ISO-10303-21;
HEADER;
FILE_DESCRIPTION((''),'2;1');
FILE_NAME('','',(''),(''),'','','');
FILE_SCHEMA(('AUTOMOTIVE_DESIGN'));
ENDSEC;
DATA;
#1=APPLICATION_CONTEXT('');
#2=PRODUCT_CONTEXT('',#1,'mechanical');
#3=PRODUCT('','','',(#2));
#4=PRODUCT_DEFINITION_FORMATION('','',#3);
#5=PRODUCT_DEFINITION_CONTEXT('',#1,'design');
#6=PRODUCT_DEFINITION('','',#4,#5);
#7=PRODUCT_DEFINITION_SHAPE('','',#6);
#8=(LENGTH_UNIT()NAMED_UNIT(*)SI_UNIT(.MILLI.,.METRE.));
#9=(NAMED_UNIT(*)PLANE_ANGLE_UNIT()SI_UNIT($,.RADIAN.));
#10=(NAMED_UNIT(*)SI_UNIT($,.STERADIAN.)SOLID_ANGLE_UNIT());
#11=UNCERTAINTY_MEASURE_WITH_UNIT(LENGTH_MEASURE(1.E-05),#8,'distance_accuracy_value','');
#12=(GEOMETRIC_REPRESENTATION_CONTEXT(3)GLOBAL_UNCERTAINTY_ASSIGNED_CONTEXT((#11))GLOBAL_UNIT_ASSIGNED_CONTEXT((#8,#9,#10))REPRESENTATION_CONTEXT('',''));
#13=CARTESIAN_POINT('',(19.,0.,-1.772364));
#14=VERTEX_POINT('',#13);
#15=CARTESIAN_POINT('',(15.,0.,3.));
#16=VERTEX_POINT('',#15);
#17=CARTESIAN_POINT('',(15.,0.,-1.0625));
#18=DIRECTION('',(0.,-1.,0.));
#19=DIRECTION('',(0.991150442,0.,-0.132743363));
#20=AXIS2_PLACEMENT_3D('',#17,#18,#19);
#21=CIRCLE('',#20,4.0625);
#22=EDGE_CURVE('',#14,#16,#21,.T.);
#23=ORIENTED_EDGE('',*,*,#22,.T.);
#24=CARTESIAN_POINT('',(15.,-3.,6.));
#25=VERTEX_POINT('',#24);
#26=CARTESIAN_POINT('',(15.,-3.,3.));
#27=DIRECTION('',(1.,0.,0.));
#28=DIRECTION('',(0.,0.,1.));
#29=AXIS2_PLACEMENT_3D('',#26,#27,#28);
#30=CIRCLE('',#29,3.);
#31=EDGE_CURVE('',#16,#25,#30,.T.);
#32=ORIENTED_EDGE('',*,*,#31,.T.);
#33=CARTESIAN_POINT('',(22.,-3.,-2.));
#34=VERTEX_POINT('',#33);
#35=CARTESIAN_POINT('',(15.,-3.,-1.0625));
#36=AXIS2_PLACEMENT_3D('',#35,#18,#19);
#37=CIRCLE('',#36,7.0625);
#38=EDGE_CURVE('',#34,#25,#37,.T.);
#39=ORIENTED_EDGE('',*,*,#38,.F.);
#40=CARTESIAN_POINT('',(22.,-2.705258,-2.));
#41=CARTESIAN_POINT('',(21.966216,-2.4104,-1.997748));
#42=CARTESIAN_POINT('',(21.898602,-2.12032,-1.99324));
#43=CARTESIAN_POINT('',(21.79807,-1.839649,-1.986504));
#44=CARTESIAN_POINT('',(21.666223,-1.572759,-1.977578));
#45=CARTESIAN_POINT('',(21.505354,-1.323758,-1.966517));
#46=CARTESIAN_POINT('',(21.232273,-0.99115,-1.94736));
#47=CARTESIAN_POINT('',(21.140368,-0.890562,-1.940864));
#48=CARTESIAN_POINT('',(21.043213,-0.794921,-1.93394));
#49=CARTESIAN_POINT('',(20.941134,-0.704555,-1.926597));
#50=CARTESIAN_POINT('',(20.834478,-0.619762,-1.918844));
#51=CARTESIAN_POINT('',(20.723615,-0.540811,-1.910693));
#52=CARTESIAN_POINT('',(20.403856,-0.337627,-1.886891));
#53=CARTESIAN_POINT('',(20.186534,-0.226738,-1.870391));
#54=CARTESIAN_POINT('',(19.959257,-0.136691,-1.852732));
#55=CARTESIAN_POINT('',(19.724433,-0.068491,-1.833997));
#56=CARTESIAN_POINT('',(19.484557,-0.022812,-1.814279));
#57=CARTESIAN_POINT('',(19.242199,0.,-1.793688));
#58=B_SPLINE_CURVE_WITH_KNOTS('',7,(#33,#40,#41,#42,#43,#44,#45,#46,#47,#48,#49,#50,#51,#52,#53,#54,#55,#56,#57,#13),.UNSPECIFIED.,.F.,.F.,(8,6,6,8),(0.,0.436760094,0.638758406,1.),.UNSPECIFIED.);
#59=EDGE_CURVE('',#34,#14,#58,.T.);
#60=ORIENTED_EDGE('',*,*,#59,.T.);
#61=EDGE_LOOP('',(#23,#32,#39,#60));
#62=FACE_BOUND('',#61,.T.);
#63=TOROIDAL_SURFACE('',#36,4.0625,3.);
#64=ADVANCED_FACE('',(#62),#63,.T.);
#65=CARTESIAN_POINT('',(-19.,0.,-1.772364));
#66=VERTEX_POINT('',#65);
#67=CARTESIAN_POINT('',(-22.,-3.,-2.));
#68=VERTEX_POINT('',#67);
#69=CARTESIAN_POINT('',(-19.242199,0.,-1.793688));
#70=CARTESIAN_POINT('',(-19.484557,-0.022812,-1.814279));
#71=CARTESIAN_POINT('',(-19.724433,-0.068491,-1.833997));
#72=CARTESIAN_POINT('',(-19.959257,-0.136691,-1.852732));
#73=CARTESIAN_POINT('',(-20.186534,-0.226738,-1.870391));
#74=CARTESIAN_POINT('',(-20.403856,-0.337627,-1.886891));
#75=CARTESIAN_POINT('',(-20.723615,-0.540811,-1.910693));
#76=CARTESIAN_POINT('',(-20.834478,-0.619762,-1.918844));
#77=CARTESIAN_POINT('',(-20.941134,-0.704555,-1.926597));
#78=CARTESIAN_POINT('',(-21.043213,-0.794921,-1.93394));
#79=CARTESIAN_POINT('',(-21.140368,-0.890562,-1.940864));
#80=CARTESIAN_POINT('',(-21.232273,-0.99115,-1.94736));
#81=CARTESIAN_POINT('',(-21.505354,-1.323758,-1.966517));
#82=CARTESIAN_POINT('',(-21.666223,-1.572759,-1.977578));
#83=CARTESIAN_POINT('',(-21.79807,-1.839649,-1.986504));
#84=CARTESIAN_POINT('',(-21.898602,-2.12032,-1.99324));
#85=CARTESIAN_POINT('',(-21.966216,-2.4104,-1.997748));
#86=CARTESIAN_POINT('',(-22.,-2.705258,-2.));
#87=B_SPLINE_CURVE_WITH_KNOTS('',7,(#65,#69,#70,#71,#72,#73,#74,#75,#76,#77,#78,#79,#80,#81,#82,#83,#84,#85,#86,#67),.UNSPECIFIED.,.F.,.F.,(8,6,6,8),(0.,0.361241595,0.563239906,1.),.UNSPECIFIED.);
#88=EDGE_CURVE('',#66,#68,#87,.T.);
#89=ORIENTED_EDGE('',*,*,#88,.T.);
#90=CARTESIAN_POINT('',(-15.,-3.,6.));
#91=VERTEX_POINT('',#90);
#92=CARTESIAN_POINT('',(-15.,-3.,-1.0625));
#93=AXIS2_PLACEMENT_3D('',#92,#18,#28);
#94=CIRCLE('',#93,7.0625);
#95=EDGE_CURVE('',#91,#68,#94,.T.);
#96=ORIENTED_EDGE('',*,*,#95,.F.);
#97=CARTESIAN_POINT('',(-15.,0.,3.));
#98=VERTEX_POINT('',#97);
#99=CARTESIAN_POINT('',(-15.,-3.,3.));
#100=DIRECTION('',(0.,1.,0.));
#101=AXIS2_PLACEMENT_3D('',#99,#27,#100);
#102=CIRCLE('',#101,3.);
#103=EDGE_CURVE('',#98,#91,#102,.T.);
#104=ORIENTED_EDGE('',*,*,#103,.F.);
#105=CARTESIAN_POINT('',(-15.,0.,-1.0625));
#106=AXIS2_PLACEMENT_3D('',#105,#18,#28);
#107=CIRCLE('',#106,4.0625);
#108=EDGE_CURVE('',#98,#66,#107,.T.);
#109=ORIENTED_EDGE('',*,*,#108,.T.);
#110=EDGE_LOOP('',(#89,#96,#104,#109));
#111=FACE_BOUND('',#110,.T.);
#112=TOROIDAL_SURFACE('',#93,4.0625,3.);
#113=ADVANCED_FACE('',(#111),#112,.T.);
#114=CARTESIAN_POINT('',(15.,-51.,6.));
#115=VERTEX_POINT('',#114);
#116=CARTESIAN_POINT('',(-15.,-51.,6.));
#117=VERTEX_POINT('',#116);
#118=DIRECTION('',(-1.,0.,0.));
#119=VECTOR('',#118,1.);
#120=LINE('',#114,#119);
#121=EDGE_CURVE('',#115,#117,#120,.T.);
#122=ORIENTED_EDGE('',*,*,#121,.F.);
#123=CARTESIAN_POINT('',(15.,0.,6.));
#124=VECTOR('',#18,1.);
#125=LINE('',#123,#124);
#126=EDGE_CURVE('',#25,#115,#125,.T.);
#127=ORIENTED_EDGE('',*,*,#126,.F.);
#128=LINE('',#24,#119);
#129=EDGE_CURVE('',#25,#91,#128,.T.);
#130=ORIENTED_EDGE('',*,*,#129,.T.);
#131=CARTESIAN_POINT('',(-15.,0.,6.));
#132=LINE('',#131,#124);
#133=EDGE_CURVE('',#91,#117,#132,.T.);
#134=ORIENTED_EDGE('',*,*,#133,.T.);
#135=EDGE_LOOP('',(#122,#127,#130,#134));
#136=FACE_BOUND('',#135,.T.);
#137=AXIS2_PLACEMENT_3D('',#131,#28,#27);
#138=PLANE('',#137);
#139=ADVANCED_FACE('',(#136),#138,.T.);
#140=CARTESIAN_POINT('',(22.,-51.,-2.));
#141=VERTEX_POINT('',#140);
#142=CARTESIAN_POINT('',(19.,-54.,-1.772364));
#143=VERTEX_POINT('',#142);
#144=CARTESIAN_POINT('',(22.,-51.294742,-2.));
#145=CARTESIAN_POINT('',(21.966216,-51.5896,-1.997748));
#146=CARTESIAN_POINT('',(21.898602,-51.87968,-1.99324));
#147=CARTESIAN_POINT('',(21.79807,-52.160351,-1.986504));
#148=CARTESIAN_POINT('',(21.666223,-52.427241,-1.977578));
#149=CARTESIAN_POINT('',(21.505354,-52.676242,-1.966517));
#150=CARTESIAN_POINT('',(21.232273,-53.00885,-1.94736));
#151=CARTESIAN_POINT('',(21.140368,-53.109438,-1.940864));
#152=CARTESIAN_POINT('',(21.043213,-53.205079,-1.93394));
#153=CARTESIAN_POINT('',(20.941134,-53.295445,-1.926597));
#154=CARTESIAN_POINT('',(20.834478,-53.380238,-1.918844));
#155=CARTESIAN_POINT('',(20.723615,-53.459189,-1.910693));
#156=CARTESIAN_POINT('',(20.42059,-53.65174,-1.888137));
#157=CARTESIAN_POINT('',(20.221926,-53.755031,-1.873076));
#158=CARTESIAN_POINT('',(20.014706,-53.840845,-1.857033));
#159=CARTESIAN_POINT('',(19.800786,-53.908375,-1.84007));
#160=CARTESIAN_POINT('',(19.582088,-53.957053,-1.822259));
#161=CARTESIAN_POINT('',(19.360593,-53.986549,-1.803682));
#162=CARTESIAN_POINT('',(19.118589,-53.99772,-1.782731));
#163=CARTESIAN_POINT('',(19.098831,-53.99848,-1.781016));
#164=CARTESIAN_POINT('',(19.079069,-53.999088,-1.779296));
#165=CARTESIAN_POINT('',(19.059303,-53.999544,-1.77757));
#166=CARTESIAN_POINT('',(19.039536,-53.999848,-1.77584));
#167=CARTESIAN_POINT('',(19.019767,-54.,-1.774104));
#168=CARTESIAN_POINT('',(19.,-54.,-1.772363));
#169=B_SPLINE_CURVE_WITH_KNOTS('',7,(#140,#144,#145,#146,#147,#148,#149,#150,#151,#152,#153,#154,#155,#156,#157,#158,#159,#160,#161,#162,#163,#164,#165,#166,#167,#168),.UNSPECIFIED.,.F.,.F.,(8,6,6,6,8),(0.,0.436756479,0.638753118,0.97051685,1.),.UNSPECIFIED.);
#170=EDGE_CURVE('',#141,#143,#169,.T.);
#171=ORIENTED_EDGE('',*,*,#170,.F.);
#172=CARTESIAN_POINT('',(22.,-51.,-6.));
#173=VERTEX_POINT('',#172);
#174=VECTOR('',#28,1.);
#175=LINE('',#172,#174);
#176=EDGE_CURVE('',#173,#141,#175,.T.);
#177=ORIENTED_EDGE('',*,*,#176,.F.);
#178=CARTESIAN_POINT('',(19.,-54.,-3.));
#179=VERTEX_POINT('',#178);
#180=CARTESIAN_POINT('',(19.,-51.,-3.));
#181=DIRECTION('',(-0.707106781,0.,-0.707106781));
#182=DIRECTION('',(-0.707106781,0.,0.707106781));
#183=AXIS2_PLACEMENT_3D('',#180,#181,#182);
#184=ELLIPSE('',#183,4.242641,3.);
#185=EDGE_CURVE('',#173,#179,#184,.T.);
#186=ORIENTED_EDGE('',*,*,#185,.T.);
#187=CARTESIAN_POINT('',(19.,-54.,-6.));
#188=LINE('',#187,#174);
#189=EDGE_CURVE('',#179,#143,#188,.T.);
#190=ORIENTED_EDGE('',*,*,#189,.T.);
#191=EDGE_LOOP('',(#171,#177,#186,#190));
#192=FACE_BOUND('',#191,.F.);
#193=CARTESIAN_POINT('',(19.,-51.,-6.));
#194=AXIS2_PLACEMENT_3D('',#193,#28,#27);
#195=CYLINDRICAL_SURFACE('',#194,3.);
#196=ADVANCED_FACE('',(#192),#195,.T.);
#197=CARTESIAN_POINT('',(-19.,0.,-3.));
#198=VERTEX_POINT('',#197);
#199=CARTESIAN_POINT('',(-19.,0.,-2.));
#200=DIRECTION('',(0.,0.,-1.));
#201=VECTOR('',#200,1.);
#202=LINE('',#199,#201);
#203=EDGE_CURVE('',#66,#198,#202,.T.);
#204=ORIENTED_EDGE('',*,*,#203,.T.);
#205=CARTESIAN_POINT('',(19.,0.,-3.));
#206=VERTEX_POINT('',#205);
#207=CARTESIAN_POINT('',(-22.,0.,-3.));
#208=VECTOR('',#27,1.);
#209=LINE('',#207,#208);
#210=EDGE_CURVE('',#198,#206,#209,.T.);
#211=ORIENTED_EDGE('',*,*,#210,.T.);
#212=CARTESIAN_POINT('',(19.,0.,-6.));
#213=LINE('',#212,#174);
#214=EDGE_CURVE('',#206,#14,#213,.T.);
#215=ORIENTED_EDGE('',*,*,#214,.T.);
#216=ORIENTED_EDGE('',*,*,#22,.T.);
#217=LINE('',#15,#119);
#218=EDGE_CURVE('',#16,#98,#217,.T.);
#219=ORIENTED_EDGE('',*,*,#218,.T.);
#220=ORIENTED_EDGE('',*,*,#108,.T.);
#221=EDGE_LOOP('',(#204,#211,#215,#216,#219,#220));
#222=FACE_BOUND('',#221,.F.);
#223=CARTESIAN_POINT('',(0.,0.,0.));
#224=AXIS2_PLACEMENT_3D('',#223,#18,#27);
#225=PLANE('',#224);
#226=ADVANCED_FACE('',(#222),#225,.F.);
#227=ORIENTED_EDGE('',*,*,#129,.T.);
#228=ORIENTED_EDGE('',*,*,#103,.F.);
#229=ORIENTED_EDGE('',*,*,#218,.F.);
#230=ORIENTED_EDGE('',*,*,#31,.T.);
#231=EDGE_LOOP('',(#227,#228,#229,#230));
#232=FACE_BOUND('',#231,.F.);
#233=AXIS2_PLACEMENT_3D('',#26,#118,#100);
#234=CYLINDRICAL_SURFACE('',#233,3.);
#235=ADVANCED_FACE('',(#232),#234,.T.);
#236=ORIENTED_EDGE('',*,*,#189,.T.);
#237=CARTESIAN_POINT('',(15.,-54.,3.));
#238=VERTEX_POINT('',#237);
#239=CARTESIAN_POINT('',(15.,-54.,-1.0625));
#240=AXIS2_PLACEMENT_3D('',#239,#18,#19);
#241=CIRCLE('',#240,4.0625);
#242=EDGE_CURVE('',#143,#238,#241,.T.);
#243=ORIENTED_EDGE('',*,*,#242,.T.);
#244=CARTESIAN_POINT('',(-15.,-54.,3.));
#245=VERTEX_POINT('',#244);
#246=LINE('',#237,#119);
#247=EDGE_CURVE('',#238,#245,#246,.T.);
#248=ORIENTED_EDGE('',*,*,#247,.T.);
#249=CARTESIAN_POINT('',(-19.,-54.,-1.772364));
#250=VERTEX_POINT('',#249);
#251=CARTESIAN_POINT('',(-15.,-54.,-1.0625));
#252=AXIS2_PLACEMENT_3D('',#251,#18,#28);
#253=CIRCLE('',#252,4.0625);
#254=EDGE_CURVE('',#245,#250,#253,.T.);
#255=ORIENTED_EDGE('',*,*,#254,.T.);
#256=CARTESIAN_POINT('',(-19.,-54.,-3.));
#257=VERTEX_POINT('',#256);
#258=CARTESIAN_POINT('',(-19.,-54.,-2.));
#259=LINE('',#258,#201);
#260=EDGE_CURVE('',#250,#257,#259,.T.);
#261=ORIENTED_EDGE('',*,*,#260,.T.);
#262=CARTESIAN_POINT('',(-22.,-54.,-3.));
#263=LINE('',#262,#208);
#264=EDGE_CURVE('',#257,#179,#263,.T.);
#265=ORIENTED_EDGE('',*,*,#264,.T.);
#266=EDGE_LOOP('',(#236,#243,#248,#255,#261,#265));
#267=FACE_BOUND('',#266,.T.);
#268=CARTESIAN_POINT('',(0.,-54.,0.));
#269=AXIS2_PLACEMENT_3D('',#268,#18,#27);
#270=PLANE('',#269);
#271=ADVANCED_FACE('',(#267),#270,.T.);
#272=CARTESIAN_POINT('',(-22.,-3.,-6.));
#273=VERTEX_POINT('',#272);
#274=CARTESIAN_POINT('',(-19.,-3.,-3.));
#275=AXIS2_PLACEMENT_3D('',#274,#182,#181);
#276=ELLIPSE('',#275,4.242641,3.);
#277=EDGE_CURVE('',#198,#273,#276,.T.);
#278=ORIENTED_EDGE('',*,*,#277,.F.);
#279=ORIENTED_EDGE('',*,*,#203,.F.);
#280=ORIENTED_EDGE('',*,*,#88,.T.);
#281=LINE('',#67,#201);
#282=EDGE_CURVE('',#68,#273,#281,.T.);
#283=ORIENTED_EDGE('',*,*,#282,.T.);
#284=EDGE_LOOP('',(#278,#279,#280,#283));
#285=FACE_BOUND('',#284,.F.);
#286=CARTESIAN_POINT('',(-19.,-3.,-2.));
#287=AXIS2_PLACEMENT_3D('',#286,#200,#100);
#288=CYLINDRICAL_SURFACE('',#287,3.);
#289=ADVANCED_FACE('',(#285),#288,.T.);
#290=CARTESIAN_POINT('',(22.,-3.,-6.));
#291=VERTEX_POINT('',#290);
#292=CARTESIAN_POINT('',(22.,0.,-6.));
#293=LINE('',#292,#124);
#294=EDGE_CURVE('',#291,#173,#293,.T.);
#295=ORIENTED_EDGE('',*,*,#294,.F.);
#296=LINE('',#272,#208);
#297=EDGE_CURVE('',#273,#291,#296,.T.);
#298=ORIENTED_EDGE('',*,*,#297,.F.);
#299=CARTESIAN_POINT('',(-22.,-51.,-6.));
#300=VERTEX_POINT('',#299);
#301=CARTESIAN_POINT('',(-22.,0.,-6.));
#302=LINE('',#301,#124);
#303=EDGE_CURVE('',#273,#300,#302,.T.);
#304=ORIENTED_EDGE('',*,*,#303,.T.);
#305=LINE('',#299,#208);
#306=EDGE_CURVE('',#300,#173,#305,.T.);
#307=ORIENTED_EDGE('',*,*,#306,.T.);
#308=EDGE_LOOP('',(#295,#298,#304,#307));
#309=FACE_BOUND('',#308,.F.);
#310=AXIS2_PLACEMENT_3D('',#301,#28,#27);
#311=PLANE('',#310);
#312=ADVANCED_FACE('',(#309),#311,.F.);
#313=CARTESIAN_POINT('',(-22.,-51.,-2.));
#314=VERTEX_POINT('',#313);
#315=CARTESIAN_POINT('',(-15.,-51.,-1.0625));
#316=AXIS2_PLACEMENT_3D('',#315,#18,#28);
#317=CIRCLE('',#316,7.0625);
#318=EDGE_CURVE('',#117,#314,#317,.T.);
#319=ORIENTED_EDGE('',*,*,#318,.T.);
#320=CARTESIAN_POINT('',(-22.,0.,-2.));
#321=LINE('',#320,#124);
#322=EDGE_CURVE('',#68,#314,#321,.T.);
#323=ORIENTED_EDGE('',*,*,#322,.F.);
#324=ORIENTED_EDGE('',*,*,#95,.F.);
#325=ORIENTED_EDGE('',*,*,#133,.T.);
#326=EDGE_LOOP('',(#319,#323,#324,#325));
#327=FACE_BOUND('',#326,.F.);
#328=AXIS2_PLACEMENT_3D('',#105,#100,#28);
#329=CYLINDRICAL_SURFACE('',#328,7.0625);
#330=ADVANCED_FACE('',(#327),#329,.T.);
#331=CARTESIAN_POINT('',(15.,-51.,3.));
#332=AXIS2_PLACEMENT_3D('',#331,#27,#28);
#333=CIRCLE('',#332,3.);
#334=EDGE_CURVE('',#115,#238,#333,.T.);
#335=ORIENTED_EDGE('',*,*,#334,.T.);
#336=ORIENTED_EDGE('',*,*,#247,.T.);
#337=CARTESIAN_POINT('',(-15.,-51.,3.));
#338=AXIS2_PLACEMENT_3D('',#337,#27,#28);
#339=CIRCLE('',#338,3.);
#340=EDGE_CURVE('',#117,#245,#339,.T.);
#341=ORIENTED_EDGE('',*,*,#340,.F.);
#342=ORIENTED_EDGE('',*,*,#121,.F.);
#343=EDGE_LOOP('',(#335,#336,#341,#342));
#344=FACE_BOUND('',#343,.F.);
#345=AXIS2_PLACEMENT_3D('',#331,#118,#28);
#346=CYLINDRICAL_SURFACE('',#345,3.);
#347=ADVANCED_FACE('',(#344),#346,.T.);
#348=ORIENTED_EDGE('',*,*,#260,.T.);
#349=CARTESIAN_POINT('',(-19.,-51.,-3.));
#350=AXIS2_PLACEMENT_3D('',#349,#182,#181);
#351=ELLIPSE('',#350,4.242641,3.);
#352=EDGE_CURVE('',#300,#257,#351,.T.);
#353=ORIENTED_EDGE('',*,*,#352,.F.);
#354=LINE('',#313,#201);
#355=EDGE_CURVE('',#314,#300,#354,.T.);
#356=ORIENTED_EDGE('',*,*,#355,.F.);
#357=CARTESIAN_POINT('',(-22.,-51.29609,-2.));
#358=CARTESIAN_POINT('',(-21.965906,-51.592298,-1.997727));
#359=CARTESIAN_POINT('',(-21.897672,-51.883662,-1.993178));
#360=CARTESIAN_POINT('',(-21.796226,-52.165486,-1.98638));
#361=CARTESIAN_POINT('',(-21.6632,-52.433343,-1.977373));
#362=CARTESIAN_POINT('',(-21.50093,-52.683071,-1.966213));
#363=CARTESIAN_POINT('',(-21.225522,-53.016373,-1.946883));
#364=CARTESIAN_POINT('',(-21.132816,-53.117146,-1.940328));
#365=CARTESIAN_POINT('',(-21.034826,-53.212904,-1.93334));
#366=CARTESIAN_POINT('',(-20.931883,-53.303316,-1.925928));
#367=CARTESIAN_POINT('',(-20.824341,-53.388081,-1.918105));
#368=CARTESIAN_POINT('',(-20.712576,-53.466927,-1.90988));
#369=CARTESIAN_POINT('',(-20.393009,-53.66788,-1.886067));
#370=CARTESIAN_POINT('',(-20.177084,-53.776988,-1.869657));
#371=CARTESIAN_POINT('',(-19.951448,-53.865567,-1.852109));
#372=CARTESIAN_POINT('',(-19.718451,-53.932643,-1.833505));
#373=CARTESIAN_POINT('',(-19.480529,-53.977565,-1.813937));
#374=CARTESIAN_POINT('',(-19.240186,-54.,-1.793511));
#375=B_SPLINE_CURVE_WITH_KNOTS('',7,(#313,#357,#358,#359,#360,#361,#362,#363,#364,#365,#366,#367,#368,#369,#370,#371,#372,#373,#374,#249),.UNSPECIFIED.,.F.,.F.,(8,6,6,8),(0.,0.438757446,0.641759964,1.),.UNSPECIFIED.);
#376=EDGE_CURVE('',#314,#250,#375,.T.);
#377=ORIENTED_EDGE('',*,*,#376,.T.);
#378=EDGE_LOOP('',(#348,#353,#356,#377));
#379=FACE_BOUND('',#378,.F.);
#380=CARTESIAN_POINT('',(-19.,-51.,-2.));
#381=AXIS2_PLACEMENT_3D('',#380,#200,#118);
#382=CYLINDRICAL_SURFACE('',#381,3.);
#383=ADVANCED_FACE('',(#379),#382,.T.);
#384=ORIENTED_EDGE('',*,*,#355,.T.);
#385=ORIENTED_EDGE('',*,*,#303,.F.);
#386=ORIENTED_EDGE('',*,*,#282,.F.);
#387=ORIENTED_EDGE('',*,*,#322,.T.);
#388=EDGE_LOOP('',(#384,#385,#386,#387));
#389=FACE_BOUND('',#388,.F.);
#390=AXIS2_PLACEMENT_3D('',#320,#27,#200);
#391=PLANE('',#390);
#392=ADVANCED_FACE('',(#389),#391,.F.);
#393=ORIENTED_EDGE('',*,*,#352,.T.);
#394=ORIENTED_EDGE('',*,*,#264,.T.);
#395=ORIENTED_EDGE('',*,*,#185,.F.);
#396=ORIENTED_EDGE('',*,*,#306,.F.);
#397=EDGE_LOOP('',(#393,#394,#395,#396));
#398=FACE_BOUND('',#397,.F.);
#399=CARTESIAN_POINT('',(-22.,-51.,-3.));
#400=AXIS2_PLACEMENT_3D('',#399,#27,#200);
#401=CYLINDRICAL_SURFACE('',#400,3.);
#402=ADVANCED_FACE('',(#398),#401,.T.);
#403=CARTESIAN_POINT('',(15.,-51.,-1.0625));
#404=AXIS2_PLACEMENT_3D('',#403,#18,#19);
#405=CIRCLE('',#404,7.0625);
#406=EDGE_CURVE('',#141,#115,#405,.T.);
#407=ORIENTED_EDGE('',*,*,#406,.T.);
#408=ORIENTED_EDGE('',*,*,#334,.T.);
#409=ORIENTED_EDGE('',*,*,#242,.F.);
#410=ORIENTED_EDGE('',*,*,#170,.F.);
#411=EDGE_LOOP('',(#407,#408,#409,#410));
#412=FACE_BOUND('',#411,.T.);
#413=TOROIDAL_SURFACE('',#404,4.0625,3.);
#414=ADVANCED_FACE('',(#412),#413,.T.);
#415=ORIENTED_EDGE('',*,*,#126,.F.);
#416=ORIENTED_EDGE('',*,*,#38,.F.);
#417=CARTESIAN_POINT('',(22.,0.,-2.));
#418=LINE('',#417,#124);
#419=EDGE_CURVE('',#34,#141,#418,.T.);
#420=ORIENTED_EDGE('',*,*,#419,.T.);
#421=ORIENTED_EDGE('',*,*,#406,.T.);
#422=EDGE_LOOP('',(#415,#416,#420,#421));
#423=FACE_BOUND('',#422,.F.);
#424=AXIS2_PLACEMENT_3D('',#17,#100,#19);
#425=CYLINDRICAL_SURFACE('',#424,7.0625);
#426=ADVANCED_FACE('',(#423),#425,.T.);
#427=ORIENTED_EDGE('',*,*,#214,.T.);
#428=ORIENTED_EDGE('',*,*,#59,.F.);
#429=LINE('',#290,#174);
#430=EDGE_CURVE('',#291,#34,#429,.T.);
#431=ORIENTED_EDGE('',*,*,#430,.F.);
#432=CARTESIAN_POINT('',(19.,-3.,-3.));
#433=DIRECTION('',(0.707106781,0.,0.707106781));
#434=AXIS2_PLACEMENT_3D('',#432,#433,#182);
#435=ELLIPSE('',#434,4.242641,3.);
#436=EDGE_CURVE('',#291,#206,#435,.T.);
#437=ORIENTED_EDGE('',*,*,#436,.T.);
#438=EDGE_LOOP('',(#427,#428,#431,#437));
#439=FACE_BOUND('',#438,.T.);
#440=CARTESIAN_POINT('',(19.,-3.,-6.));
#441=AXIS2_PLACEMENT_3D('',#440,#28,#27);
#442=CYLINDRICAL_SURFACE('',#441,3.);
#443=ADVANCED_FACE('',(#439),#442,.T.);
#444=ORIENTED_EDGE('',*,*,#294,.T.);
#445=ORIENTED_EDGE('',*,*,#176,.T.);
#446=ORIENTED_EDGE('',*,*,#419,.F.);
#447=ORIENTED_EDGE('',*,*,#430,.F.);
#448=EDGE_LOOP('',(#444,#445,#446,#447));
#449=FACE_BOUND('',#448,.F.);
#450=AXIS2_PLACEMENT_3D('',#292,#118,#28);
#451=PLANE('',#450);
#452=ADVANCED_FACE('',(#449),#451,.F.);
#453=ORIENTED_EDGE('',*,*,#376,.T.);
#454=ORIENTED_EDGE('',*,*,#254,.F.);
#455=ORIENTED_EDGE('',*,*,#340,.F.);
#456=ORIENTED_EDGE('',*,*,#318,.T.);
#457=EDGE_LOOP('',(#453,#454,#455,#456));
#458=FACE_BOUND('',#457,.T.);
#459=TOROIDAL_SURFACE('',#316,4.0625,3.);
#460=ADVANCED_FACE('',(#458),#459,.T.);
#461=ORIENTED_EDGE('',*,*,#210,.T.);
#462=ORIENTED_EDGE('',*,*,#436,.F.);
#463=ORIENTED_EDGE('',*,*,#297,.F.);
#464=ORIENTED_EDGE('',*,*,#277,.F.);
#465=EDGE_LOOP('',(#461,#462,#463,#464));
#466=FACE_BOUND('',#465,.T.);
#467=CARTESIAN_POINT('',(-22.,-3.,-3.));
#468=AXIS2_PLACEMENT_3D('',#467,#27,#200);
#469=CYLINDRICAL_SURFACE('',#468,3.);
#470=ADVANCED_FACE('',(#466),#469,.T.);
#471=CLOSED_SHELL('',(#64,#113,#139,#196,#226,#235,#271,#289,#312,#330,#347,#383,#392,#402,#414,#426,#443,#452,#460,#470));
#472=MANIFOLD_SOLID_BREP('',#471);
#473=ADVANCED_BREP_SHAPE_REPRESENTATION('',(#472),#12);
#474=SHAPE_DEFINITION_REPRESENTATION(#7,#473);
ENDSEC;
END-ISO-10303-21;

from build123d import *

# Parameters (mm, degrees)
F0_W     = 30
F0_H     = 12
F1_DEPTH = 54
F2_R     = 3
F3_R     = 3


with BuildPart() as f1:
    # F0 (on Front) → F1 (new body)
    with BuildSketch(Plane.XZ):
        Rectangle(F0_W, F0_H)
        with BuildLine():
            Line((15, 6), (15, -6))
            Line((15, -6), (22, -6))
            Line((22, -6), (22, -2))
            ThreePointArc((22, -2), (20.3150729064, 3.5881887931), (15, 6))
        make_face()
        with BuildLine():
            Line((-22, -6), (-15, -6))
            Line((-15, -6), (-15, 6))
            ThreePointArc((-15, 6), (-20.3150729064, 3.5881887931), (-22, -2))
            Line((-22, -2), (-22, -6))
        make_face()
    extrude(amount=F1_DEPTH)

    # F2
    f2_edges = [f1.edges().sort_by_distance(p)[0] for p in [
        (22, -54, -4),
        (20.315073, -54, 3.588189),
        (0, -54, 6),
        (-20.315073, -54, 3.588189),
        (-22, -54, -4),
        (0, -54, -6),
    ]]
    fillet(f2_edges, radius=F2_R)

    # F3
    f3_edges = [f1.edges().sort_by_distance(p)[0] for p in [
        (22, 0, -4),
        (20.315073, 0, 3.588189),
        (0, 0, 6),
        (-20.315073, 0, 3.588189),
        (-22, 0, -4),
        (0, 0, -6),
    ]]
    fillet(f3_edges, radius=F3_R)


solid = f1.part
